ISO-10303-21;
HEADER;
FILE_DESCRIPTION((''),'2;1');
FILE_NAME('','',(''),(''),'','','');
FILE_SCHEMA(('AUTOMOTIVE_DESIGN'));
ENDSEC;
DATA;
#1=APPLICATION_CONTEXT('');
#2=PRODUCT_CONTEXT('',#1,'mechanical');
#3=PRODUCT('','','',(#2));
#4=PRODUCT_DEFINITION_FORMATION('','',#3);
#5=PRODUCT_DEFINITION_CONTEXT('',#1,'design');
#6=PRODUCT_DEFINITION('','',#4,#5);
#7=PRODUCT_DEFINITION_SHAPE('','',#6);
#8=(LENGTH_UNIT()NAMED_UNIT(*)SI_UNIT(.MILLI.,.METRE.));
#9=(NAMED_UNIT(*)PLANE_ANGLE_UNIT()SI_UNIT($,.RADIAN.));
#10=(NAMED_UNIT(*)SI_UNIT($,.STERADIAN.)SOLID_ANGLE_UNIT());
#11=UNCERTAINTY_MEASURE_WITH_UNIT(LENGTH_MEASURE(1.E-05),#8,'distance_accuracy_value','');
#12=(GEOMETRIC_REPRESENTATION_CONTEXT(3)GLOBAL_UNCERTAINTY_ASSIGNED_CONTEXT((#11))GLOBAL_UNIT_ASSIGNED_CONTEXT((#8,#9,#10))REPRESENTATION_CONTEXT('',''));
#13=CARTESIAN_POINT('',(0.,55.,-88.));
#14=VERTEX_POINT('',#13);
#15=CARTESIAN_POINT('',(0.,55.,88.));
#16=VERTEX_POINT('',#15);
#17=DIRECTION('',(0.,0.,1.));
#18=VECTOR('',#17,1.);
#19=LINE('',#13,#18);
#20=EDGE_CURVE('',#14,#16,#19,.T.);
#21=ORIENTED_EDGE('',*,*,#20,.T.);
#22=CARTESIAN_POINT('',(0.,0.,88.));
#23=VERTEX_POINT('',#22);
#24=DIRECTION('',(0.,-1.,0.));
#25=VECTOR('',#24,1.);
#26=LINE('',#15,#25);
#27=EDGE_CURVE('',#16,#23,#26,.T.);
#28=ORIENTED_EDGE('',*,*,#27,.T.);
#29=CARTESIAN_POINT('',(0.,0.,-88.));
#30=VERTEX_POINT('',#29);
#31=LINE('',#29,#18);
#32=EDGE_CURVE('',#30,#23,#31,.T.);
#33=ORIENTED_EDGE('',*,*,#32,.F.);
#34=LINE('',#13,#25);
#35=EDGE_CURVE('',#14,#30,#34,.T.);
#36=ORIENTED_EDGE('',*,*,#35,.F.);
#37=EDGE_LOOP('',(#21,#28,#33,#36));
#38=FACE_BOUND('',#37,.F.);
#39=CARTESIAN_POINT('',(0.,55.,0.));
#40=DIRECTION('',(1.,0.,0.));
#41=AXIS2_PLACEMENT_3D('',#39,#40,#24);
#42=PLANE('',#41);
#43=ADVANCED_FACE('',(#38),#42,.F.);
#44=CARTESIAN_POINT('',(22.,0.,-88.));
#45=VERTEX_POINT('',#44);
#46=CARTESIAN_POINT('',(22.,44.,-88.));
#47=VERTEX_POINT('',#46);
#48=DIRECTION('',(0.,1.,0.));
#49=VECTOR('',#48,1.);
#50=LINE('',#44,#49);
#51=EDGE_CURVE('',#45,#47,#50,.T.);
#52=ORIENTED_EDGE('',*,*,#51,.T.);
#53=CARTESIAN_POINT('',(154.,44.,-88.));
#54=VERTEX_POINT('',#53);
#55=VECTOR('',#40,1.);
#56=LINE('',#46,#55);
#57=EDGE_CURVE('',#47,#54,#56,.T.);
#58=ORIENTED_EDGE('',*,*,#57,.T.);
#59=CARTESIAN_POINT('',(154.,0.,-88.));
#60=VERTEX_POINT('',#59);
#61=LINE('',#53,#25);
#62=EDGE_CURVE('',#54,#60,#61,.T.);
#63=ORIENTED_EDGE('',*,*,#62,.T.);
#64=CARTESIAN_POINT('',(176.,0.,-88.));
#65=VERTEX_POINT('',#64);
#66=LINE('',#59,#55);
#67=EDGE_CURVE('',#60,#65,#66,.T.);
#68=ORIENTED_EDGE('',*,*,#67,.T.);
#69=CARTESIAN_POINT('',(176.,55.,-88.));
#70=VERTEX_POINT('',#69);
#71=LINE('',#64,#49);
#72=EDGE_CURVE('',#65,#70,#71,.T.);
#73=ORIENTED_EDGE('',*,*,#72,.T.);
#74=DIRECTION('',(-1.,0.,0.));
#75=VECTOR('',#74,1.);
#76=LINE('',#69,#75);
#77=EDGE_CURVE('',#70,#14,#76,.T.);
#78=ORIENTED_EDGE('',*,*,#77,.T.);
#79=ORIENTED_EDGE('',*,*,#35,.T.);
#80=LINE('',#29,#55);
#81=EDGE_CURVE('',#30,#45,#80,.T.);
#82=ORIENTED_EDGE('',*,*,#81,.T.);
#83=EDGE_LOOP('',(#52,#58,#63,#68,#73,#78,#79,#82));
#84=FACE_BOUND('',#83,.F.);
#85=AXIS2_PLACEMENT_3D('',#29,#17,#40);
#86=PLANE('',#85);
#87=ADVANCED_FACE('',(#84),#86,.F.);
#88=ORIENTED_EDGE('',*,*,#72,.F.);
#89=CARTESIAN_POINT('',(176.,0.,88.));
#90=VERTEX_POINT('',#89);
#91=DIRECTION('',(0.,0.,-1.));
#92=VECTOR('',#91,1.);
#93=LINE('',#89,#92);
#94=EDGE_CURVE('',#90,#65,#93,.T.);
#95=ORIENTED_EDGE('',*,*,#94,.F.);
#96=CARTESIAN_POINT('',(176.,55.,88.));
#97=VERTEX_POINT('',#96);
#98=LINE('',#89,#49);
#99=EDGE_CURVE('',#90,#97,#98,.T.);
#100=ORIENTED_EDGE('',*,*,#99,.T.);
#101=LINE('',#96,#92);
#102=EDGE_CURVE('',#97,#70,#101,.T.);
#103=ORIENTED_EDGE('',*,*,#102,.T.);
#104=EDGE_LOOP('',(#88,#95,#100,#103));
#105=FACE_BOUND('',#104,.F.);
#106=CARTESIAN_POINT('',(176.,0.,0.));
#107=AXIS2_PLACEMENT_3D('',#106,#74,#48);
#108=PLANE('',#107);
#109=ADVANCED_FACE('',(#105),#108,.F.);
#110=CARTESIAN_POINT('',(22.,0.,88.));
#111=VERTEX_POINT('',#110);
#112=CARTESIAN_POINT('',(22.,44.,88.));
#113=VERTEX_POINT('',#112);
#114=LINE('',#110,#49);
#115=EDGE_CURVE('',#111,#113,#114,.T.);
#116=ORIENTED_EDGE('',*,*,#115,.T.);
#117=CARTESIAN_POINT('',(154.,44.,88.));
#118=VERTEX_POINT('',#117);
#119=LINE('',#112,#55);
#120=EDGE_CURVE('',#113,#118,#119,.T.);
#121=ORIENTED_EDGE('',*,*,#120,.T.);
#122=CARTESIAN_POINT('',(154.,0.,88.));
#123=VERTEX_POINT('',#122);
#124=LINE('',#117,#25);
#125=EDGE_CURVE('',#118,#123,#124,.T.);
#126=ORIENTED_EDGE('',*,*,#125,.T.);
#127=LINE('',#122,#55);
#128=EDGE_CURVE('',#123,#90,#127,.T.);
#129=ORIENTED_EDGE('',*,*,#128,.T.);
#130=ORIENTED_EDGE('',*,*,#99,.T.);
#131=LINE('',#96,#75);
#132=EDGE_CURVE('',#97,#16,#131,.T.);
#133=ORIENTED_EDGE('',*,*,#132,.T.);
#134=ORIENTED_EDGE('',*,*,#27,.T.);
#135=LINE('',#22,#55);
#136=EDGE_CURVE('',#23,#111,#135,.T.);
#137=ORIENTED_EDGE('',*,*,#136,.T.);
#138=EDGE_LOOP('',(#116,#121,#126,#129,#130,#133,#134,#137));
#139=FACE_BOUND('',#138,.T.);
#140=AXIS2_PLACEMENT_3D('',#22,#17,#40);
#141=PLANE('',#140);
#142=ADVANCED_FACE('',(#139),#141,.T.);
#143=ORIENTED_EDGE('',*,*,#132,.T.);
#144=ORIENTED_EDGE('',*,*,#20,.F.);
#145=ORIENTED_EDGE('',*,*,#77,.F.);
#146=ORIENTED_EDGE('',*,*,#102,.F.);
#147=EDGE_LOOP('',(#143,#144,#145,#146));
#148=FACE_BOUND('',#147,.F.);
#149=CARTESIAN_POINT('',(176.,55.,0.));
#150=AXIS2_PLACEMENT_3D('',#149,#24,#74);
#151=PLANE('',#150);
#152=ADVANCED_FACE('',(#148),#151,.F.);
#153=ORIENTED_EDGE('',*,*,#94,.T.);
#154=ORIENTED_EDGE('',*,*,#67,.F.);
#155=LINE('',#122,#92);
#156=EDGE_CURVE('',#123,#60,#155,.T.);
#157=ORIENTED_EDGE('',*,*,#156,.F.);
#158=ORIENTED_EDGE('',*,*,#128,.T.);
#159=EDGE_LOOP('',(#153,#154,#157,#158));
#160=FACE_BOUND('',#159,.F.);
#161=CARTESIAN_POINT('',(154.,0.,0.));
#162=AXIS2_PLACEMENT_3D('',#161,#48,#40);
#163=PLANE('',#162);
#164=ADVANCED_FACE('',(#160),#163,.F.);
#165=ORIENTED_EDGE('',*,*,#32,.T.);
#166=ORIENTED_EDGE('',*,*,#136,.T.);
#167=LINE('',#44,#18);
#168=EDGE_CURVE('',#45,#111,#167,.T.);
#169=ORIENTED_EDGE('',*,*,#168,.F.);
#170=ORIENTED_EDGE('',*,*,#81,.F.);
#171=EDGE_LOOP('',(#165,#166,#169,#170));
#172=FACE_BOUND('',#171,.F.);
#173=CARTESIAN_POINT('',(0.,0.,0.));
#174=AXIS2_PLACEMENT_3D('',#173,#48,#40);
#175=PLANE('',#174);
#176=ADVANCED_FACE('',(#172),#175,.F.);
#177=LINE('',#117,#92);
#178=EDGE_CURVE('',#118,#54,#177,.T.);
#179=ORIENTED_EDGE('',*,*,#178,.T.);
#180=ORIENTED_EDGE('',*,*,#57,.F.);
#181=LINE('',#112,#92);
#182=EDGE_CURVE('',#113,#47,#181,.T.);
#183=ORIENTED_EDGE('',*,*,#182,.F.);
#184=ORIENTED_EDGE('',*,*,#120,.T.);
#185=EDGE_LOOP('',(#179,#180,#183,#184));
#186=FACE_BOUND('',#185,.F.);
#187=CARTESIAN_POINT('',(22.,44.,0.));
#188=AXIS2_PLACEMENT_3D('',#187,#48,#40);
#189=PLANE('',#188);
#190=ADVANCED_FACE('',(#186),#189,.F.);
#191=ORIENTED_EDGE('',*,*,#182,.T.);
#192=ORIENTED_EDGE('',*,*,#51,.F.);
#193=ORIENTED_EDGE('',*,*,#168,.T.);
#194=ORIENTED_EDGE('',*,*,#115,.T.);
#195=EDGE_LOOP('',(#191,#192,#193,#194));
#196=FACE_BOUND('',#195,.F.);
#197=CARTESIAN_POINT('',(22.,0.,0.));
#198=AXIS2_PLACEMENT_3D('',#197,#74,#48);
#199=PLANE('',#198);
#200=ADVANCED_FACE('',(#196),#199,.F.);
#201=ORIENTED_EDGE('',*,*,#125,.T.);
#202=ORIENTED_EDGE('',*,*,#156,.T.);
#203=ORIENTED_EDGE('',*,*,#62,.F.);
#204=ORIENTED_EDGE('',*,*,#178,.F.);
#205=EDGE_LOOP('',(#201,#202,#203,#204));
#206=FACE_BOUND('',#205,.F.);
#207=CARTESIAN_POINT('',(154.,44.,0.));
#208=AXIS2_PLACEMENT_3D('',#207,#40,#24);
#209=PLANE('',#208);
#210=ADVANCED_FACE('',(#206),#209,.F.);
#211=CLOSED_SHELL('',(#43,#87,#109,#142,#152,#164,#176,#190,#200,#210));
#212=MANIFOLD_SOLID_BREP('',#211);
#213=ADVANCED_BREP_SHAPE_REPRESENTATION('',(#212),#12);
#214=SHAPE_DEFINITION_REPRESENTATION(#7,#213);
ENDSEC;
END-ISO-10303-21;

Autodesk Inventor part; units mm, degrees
ref_plane "YZ Plane" through (0, 0, 0) normal (1, 0, 0) x (0, 1, 0)
ref_plane "XZ Plane" through (0, 0, 0) normal (0, 1, 0) x (-1, 0, 0)
ref_plane "XY Plane" through (0, 0, 0) normal (0, 0, 1) x (1, 0, 0)
sketch "草圖2" plane through (0, 0, 0) normal (0, 0, 1) x (1, 0, 0)
  line L0 (0, 55) -> (0, 0)
  line L1 (0, 0) -> (22, 0)
  line L2 (22, 0) -> (22, 44)
  line L3 (22, 44) -> (154, 44)
  line L4 (154, 44) -> (154, 0)
  line L5 (154, 0) -> (176, 0)
  line L6 (176, 0) -> (176, 55)
  line L7 (176, 55) -> (0, 55)
  dimension "d11" = 22
  dimension "d12" = 11
  dimension "d14" = 176
  dimension "d17" = 44
extrude "擠出2" add sketch "草圖2" along normal mid plane 176
equation "\"d11\" = leg_length"
equation "\"d12\" = thickness"
equation "\"d14\" = width"
equation "\"d17\" = height"
equation "\"d15\" = length"
equation "\"width\" = 80 * ratio"
equation "\"height\" = 20 * ratio"
equation "\"length\" = width"
equation "\"leg_length\" = ratio"
equation "\"ratio\" = 2.2"
equation "\"thickness\" = 5 * ratio"
properties part number "bridge_rect_final"
